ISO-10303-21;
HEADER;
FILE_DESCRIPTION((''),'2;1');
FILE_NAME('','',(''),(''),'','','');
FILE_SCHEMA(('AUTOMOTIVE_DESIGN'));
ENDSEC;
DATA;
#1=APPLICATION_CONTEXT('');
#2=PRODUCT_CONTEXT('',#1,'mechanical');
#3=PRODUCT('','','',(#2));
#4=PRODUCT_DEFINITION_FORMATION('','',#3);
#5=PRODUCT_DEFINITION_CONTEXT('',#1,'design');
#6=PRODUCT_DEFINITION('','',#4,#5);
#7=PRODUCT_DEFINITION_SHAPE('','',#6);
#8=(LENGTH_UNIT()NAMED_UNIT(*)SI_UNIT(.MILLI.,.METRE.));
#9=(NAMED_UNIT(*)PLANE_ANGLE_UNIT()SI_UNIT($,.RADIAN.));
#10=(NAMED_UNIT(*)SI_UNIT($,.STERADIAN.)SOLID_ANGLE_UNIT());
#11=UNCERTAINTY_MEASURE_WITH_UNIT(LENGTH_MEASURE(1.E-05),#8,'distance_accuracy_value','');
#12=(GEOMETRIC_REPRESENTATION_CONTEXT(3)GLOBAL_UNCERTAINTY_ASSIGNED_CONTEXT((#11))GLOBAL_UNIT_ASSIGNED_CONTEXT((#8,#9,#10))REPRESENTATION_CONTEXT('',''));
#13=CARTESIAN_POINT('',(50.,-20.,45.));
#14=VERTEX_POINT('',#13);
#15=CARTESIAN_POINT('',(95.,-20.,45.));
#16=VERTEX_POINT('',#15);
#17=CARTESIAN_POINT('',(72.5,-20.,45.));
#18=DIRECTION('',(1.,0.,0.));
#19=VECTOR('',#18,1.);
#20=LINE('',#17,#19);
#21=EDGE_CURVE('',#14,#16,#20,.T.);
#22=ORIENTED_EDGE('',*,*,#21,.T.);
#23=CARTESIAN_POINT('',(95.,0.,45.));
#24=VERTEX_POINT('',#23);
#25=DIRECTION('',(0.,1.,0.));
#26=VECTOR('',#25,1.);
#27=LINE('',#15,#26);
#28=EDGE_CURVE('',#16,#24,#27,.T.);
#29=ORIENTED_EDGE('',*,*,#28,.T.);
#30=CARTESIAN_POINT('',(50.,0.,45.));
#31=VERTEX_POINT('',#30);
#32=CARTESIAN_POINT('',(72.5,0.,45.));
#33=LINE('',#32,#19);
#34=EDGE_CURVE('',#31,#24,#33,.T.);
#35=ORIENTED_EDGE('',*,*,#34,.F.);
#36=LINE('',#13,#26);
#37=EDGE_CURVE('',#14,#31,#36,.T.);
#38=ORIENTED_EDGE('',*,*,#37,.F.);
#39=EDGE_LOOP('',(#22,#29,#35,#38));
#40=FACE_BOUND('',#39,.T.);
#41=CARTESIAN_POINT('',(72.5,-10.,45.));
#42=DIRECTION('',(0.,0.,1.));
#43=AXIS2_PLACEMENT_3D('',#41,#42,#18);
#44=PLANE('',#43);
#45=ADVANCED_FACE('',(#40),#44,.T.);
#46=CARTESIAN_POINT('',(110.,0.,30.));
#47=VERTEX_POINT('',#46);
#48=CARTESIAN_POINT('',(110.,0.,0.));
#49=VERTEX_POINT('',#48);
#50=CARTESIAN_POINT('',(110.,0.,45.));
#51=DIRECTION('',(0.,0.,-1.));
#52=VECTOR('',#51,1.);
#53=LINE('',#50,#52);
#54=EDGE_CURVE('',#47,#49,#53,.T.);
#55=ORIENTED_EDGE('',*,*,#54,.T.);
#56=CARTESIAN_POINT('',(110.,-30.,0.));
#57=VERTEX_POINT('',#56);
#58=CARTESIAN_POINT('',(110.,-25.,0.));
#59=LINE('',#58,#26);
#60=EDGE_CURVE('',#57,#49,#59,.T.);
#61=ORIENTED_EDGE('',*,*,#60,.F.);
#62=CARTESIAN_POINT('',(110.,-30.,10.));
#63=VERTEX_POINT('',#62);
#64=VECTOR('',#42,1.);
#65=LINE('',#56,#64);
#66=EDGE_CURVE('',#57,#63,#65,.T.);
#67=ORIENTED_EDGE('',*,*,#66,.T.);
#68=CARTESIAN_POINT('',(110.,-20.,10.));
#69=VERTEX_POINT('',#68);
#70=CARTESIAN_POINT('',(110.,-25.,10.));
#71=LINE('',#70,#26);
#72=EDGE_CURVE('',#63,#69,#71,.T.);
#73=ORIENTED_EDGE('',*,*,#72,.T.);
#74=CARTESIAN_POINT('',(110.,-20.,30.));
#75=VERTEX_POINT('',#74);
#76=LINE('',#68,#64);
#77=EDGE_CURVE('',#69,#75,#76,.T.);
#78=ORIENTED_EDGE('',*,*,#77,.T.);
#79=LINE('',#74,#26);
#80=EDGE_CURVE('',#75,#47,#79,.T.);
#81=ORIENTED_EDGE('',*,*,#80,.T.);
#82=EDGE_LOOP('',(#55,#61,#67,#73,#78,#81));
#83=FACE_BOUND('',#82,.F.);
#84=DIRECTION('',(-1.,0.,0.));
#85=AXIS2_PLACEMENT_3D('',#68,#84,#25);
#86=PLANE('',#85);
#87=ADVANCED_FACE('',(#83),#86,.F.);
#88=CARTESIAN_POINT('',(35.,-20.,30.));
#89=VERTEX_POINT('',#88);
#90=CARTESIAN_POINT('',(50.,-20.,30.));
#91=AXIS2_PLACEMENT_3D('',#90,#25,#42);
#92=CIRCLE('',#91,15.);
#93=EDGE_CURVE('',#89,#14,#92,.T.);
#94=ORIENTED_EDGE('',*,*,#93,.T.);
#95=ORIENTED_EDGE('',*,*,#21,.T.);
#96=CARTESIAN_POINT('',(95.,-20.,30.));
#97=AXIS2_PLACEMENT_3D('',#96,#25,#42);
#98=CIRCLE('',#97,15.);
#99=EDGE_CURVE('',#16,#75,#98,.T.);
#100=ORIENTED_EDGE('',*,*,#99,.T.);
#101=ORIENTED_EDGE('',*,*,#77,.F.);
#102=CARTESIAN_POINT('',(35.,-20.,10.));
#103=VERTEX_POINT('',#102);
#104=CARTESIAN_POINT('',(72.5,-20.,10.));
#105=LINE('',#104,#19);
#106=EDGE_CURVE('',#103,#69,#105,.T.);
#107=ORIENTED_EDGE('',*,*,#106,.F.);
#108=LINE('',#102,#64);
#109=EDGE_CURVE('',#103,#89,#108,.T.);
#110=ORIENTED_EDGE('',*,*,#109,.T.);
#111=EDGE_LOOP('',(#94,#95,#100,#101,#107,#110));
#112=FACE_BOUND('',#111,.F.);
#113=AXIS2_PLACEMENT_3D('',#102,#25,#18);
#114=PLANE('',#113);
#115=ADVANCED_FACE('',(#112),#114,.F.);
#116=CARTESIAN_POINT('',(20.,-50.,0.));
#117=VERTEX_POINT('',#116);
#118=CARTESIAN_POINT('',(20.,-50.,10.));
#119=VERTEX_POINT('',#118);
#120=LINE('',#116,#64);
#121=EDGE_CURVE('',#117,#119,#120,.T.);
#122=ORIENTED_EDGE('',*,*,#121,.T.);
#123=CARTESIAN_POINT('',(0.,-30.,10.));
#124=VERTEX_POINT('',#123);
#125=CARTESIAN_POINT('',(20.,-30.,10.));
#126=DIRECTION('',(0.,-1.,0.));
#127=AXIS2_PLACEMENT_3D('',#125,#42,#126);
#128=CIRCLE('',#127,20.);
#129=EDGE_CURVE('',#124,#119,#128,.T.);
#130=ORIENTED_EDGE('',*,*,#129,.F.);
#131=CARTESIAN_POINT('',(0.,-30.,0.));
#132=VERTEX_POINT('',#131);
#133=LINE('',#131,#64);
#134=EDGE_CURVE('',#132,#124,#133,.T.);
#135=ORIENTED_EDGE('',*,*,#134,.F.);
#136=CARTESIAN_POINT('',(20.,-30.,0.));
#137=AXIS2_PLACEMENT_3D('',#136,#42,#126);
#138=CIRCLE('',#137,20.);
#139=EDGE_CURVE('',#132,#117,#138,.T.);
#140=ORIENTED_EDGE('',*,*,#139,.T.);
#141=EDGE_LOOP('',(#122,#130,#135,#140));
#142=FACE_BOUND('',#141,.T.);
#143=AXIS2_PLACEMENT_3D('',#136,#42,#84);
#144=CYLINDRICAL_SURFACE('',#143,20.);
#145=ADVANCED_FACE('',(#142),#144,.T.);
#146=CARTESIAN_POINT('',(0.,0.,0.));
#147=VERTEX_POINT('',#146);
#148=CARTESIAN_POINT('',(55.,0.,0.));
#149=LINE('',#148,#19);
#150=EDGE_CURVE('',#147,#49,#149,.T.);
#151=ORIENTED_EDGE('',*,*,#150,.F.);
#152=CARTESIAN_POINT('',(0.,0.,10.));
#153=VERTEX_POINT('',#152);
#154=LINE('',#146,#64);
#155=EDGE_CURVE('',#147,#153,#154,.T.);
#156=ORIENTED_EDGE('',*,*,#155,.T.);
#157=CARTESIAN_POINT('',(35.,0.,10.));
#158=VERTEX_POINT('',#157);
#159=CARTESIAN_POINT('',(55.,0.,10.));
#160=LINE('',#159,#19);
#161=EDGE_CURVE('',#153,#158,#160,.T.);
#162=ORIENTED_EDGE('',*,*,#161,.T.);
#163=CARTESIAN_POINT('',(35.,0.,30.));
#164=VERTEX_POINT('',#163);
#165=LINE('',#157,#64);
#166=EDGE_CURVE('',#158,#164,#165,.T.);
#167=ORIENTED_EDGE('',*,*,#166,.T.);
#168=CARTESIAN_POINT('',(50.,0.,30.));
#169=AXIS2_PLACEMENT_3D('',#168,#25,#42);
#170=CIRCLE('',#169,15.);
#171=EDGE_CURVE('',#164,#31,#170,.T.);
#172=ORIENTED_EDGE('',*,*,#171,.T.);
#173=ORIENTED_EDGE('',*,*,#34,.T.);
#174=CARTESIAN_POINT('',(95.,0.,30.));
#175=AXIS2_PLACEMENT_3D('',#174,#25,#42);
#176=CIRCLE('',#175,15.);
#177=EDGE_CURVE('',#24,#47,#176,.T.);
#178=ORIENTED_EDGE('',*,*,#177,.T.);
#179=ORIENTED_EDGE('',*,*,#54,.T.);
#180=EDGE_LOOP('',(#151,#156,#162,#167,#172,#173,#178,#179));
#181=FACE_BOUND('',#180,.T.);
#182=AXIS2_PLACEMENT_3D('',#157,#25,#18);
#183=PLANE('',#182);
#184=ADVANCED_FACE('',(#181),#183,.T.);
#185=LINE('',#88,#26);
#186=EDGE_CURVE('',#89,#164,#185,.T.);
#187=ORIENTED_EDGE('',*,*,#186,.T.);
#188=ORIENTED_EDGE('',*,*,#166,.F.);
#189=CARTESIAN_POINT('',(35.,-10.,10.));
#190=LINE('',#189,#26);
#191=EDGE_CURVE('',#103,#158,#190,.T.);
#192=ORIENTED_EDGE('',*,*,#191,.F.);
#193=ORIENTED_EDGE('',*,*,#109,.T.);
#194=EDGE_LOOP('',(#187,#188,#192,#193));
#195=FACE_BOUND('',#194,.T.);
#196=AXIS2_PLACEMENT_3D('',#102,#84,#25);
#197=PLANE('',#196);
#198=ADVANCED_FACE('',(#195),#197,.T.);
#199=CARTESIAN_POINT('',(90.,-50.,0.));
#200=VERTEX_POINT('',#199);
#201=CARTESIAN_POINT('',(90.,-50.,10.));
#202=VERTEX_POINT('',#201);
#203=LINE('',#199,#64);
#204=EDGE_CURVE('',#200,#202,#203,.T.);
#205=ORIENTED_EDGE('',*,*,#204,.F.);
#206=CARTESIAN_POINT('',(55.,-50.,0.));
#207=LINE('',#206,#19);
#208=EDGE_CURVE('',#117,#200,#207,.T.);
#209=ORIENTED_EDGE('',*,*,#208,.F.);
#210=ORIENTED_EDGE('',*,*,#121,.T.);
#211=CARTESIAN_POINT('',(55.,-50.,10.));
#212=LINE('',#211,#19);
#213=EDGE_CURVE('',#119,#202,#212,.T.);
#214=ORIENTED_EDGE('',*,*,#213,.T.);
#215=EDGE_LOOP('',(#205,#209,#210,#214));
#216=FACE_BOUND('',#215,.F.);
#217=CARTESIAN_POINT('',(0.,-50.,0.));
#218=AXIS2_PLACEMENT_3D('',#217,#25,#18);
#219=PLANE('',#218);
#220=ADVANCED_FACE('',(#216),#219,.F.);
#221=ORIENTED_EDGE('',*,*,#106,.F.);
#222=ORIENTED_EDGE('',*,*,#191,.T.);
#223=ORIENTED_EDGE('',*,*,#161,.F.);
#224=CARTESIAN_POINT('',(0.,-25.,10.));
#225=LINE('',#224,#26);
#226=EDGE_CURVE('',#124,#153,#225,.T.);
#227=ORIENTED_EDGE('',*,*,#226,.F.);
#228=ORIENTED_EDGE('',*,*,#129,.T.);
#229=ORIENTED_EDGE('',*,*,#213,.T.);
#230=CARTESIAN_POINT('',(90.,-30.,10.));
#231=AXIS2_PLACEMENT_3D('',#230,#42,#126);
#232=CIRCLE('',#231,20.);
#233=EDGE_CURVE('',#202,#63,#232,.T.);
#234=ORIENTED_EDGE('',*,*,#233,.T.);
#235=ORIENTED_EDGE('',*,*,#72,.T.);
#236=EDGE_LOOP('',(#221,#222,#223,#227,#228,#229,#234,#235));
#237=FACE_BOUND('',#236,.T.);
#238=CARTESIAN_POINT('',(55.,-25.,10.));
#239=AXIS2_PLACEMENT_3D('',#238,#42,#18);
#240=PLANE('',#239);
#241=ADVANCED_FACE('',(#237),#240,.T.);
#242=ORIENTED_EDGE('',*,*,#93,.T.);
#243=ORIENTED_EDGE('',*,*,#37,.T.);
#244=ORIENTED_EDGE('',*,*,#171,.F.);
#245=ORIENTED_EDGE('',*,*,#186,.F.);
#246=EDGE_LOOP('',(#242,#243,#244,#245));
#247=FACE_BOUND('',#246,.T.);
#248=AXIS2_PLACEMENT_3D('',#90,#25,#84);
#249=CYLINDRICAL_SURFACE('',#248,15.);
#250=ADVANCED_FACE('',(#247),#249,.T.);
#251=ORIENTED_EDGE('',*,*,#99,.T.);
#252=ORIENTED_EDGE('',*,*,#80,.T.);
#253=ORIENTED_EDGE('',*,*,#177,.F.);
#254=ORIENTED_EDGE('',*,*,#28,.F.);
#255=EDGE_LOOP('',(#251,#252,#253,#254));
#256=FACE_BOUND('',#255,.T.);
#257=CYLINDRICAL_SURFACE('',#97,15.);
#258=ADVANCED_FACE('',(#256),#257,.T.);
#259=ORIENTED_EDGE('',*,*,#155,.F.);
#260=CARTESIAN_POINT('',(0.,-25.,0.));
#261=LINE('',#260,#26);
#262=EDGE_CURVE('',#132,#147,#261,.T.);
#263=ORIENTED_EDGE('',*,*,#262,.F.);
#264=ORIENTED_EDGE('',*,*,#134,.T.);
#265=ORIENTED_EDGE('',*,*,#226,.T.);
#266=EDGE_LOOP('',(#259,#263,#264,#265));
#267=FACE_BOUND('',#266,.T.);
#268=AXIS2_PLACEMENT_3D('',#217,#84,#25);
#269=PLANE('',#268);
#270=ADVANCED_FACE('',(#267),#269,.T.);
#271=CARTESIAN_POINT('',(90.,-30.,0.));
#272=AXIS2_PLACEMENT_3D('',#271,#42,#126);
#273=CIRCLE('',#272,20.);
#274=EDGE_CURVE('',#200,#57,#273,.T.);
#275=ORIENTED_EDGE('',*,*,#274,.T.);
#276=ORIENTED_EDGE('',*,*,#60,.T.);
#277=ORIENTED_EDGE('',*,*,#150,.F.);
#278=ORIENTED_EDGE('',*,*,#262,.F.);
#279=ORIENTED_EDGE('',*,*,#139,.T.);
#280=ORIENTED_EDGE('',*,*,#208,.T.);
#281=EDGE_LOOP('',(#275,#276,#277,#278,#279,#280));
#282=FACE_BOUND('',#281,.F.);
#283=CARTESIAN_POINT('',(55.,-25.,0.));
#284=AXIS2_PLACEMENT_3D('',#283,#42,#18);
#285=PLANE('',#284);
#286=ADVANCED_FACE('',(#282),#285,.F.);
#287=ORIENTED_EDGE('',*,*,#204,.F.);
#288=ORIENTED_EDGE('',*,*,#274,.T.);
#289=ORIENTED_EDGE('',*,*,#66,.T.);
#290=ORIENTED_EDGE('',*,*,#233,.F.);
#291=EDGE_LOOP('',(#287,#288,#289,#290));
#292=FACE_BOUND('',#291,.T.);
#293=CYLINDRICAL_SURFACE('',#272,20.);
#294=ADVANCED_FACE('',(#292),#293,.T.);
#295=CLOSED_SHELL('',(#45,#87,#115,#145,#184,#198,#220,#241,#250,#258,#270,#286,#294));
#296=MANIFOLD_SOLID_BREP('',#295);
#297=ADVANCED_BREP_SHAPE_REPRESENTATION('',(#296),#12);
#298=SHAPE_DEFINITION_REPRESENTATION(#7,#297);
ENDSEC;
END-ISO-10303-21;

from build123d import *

# Parameters (mm, degrees)
F0_W     = 110
F0_H     = 50
F1_DEPTH = 10
F2_R     = 20
F3_W     = 75
F3_H     = 20
F4_DEPTH = 35
F5_R     = 15


with BuildPart() as f1:
    # F0 (on Top) → F1 (new body)
    with BuildSketch(Plane.XY):
        with Locations((55, -25)):
            Rectangle(F0_W, F0_H)
    extrude(amount=F1_DEPTH)

    # F2
    f2_edges = [f1.edges().sort_by_distance(p)[0] for p in [
        (0, -50, 5),
        (110, -50, 5),
    ]]
    fillet(f2_edges, radius=F2_R)

    # F3 (on face) → F4 (join)
    with BuildSketch(Plane.XY.offset(10)):
        with Locations((72.5, -10)):
            Rectangle(F3_W, F3_H)
    extrude(amount=F4_DEPTH)

    # F5
    f5_edges = [f1.edges().sort_by_distance(p)[0] for p in [
        (35, -10, 45),
        (110, -10, 45),
    ]]
    fillet(f5_edges, radius=F5_R)


solid = f1.part
